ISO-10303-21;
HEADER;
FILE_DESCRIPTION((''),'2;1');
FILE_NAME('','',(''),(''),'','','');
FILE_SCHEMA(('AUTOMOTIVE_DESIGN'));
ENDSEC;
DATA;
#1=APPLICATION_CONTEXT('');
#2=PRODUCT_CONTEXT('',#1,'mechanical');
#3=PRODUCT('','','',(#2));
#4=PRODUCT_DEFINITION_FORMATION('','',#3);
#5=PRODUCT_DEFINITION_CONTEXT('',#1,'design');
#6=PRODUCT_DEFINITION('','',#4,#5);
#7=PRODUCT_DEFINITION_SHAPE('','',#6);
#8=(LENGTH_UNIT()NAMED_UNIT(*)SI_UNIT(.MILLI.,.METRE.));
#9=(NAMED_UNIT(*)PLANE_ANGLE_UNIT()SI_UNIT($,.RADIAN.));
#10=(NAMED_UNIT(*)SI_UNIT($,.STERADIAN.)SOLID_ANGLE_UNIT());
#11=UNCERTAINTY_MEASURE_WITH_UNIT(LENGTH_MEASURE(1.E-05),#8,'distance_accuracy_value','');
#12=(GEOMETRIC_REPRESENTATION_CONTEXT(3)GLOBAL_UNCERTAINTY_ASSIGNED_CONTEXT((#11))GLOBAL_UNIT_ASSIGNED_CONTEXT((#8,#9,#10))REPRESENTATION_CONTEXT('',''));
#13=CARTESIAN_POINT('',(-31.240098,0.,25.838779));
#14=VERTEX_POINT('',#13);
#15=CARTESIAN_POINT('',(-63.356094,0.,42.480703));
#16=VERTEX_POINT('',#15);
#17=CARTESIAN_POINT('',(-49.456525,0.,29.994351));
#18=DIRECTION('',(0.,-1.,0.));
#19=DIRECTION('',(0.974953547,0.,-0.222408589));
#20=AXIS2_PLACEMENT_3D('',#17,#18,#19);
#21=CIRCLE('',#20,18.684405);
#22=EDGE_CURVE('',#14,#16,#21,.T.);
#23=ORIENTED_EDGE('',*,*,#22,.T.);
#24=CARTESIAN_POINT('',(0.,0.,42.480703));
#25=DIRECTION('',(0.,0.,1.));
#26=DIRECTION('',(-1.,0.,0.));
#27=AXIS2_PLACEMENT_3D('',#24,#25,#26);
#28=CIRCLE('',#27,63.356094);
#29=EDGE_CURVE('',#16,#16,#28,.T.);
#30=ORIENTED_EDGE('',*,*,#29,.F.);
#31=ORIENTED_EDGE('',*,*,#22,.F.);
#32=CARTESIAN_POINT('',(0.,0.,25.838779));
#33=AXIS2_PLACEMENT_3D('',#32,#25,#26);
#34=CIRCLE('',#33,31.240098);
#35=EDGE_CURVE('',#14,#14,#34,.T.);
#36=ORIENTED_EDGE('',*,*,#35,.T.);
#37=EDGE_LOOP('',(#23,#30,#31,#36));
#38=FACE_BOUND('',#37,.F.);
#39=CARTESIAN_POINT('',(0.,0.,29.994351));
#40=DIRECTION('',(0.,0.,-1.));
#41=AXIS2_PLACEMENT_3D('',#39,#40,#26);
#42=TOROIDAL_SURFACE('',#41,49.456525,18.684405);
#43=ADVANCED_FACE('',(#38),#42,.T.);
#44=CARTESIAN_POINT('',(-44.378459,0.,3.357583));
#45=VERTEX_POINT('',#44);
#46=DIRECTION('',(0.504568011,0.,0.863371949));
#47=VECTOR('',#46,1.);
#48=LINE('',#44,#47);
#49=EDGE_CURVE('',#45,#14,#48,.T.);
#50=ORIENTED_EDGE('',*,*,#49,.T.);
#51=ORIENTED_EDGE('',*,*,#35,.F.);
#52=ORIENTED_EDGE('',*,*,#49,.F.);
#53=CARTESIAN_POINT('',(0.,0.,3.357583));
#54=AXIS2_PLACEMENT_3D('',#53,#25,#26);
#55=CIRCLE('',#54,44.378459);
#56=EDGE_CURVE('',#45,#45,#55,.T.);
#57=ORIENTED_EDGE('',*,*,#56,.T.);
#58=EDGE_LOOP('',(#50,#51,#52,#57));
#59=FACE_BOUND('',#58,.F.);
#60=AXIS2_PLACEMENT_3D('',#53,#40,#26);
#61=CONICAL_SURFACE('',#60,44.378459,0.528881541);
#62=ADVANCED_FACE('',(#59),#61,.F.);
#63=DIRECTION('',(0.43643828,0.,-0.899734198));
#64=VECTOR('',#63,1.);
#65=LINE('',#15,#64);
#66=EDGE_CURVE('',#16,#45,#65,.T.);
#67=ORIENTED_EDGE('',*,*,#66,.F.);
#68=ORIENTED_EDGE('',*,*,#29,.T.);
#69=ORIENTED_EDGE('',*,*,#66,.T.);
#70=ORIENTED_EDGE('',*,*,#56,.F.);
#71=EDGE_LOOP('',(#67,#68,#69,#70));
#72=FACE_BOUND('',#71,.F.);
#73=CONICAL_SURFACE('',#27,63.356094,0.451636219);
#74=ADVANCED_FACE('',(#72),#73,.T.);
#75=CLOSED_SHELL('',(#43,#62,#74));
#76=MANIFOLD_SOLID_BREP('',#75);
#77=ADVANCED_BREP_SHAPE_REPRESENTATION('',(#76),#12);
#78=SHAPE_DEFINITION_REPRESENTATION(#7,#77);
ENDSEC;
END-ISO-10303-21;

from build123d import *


with BuildPart() as f2:
    # F0 (on Front) → F2 (revolve)
    with BuildSketch(Plane.XZ):
        with BuildLine():
            ThreePointArc((-31.240098, 25.838779), (-40.860176, 46.583799), (-63.356094, 42.480703))
            Line((-63.356094, 42.480703), (-44.378459, 3.357583))
            Line((-44.378459, 3.357583), (-31.240098, 25.838779))
        make_face()
    revolve(axis=Axis((0, 0, 55.838034), (0, 0, 1)))


solid = f2.part
